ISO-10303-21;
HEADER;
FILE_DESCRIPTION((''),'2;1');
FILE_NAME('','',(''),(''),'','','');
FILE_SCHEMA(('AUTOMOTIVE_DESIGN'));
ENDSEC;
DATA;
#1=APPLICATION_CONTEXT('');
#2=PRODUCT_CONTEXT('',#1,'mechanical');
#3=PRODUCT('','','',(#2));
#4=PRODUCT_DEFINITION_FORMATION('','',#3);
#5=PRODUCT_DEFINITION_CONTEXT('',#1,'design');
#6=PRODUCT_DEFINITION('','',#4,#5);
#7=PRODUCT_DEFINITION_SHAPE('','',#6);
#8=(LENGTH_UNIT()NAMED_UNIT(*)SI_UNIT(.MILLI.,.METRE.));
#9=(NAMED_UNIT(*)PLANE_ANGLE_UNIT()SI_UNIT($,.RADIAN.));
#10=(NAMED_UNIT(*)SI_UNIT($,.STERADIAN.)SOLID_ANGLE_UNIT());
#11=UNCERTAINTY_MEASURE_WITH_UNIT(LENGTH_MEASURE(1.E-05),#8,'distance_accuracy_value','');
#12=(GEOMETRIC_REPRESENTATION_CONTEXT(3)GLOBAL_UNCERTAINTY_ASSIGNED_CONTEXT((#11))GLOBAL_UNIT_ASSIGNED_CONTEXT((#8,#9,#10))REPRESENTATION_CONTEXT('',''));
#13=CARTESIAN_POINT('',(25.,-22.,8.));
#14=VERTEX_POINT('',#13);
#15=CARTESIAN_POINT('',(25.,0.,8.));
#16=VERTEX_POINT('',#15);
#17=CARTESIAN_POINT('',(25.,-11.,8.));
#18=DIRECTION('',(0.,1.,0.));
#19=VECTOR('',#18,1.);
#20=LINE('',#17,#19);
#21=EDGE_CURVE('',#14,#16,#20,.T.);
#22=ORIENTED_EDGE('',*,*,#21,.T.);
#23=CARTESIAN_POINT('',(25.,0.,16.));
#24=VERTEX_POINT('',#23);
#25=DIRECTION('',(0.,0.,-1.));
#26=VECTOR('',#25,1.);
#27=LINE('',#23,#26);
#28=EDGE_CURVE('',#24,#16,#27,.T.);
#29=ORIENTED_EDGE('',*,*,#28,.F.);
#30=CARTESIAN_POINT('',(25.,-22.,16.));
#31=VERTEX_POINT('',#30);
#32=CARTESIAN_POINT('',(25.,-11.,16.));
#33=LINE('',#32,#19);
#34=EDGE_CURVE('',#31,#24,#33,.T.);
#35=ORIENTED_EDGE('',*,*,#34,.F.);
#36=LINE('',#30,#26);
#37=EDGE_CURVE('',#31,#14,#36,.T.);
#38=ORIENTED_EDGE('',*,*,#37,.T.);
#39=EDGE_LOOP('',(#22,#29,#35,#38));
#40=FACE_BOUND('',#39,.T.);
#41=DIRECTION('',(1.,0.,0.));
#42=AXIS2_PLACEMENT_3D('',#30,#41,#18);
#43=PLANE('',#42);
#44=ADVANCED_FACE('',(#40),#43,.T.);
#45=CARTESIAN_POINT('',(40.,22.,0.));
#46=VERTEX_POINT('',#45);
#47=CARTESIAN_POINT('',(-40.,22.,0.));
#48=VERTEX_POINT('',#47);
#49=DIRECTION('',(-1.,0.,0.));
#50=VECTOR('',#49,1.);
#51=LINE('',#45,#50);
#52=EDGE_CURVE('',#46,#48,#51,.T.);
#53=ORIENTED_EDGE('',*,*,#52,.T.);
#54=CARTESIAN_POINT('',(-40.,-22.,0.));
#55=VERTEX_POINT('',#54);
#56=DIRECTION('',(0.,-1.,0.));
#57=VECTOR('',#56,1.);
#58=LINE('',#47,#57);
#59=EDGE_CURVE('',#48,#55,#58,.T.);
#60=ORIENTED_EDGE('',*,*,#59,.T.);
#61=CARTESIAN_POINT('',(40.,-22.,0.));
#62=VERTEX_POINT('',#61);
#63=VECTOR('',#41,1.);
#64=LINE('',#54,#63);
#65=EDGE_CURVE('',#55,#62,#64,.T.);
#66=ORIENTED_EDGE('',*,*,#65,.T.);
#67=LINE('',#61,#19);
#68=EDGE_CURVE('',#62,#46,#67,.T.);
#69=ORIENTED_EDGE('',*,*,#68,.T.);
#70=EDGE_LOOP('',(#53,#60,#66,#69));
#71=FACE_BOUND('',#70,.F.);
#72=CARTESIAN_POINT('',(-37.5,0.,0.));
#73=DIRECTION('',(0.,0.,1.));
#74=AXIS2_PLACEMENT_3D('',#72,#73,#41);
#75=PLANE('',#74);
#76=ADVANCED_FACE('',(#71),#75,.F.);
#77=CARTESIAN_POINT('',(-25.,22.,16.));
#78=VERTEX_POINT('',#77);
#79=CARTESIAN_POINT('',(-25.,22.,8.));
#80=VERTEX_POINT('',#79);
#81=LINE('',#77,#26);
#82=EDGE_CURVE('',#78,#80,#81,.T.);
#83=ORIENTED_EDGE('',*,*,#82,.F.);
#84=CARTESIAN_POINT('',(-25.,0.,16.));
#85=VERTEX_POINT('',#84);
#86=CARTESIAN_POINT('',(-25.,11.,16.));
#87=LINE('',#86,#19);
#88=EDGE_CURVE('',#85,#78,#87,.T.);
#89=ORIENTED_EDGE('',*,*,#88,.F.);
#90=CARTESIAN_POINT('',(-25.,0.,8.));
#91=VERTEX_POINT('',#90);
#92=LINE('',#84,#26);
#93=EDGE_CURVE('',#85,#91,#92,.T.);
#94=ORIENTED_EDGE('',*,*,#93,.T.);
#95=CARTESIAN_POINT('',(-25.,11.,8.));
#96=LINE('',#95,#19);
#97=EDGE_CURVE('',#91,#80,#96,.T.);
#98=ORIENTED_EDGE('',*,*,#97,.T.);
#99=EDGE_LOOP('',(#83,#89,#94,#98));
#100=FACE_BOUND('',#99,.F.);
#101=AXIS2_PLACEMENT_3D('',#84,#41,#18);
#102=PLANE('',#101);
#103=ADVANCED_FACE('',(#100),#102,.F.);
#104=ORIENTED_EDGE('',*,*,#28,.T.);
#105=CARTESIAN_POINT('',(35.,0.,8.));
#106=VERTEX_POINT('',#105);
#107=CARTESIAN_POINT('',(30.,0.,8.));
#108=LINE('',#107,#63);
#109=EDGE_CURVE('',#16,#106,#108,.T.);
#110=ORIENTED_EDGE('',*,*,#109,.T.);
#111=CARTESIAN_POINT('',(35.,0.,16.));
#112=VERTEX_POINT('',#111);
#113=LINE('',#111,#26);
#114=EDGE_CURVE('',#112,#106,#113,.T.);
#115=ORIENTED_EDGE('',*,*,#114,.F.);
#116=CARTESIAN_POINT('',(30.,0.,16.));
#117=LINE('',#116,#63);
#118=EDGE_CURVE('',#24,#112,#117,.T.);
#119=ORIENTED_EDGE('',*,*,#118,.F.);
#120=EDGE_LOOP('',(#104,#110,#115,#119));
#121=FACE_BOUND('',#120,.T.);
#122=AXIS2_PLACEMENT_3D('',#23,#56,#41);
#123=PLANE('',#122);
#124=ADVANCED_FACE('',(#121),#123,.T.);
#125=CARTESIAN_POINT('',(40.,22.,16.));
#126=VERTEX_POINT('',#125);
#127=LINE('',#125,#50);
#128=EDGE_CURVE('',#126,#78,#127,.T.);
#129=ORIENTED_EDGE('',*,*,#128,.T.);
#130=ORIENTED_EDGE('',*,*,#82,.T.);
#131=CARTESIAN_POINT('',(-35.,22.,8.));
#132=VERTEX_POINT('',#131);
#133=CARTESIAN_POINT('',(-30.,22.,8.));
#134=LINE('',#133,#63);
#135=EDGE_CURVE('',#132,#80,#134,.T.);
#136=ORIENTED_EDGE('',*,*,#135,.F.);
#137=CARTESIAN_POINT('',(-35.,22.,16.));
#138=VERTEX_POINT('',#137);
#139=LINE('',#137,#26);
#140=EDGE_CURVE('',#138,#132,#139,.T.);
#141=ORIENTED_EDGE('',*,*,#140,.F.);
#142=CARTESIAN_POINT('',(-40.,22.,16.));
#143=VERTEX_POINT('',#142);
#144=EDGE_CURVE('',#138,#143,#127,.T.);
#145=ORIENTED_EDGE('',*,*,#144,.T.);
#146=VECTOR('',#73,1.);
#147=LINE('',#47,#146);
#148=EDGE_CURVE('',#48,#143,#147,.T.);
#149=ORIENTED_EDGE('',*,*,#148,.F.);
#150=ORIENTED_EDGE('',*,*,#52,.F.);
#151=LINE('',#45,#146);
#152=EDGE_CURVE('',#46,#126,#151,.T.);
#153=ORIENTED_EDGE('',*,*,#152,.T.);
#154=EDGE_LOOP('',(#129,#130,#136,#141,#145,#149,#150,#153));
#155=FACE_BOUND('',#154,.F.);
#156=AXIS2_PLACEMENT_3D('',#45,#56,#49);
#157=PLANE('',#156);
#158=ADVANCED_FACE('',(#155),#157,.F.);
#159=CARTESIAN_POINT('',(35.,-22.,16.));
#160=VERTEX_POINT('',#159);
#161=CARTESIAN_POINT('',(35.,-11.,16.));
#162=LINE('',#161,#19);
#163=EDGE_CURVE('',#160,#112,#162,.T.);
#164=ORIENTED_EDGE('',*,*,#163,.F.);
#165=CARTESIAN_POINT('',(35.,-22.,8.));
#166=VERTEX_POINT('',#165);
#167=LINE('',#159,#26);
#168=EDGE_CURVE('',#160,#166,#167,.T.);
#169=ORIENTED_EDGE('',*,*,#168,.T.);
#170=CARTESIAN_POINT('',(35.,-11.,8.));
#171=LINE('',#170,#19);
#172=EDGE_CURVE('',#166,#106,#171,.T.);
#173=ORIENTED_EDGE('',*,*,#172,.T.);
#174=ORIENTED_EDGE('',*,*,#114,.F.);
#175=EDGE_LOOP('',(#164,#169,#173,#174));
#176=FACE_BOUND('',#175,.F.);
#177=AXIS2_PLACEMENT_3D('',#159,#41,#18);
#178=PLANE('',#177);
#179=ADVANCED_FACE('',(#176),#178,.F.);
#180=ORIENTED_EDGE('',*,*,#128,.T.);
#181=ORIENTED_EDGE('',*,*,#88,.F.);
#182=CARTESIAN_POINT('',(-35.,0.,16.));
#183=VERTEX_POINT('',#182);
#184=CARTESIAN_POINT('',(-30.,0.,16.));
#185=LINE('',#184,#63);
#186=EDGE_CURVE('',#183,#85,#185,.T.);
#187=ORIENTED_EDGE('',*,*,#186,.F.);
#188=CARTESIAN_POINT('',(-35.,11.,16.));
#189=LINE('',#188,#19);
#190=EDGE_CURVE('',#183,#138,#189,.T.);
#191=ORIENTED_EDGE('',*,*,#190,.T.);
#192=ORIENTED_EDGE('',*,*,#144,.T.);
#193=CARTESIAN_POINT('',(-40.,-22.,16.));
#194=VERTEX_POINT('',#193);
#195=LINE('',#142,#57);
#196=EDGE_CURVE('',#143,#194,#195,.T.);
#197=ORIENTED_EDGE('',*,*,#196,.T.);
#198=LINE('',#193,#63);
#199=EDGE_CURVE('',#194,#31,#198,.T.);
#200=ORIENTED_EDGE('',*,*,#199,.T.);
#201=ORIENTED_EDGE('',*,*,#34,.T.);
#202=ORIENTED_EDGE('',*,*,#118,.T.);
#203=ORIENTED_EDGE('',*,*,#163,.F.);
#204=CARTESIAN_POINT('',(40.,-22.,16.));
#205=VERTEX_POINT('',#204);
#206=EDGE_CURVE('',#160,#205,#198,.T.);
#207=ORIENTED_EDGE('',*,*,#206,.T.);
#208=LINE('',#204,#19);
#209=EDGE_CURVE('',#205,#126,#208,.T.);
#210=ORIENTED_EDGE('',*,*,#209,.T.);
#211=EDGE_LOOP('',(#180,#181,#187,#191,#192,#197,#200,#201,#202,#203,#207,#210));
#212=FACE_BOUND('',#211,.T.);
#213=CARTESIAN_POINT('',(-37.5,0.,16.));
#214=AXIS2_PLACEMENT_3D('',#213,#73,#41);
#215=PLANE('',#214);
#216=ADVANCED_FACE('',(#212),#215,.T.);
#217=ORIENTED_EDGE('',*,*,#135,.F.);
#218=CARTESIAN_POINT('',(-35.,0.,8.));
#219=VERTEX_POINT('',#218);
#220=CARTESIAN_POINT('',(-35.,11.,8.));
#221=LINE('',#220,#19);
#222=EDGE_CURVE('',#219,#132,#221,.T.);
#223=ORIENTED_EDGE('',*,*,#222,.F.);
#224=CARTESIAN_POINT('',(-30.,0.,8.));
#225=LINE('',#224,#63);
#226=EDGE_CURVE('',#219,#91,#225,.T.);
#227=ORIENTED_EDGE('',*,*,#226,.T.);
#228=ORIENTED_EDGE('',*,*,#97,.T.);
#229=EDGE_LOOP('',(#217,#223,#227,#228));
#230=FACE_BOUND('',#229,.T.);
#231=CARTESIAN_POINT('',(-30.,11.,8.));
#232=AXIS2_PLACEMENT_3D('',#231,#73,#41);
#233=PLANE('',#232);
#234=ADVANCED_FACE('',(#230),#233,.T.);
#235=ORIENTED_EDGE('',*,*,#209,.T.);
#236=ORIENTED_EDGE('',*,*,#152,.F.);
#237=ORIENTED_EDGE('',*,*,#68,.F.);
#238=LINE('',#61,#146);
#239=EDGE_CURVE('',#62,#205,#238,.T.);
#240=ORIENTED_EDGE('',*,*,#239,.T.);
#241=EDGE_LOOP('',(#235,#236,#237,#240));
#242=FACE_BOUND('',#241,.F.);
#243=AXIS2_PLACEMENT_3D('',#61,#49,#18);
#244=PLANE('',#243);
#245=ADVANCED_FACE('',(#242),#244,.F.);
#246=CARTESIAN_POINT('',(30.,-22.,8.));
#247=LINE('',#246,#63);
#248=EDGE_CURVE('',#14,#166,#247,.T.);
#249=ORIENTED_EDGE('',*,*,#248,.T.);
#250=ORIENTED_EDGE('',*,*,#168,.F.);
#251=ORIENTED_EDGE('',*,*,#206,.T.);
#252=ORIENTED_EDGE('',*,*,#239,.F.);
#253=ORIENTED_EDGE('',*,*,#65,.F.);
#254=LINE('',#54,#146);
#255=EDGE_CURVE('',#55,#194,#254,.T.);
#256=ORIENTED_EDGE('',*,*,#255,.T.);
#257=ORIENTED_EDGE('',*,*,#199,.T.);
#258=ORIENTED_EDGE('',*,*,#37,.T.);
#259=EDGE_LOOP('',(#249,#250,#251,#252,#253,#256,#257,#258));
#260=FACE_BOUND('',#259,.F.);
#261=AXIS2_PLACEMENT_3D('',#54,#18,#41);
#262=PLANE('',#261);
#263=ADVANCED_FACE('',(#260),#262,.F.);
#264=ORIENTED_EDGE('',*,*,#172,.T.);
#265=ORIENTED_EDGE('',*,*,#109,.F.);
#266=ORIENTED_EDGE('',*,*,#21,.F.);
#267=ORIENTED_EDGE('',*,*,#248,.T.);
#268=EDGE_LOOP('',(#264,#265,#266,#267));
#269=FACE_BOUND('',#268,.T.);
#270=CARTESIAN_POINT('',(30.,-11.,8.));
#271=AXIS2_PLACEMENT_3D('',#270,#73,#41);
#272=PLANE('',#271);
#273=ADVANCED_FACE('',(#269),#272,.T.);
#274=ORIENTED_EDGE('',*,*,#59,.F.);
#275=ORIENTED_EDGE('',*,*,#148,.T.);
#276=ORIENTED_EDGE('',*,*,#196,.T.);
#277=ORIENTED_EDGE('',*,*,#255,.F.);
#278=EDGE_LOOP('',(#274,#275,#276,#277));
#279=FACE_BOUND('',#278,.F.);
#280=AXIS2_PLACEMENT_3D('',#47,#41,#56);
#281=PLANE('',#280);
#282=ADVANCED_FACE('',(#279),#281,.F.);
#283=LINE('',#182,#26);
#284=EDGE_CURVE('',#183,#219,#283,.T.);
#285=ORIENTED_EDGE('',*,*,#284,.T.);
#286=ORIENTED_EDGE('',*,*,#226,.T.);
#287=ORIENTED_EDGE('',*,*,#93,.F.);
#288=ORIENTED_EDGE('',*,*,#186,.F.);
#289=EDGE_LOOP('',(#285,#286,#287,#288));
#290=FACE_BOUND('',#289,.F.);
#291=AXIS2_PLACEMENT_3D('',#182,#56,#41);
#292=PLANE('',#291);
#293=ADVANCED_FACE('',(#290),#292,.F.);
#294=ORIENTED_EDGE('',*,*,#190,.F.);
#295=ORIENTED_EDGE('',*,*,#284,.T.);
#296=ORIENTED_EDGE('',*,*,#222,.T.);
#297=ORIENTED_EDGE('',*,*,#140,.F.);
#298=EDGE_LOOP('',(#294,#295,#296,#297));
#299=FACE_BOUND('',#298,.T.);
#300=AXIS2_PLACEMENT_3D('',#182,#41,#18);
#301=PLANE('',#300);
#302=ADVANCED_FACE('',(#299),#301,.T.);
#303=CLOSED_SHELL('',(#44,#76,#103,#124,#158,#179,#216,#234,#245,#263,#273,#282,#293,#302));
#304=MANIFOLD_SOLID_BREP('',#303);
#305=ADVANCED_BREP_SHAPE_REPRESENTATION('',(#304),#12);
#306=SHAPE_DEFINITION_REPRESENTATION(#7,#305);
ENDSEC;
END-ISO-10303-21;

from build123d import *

# Parameters (mm, degrees)
F0_W     = 10
F0_H     = 22
F1_DEPTH = 16
F2_W     = 10
F2_H     = 22
F3_DEPTH = 8


with BuildPart() as f1:
    # F0 (on Top) → F1 (new body)
    with BuildSketch(Plane.XY):
        Polygon((-35, 0), (-35, 22), (-40, 22), (-40, -22), (-35, -22), align=None)
        with Locations((-30, 11)):
            Rectangle(F0_W, F0_H)
        with Locations((-30, -11)):
            Rectangle(F0_W, F0_H)
        Polygon((25, 0), (25, 22), (-25, 22), (-25, 0), (-25, -22), (25, -22), align=None)
        with Locations((30, 11)):
            Rectangle(F0_W, F0_H)
        with Locations((30, -11)):
            Rectangle(F0_W, F0_H)
        Polygon((40, -22), (40, 22), (35, 22), (35, 0), (35, -22), align=None)
    extrude(amount=F1_DEPTH)

    # F2 (on face) → F3 (cut)
    with BuildSketch(Plane.XY.offset(16)):
        with Locations((-30, 11)):
            Rectangle(F2_W, F2_H)
        with Locations((30, -11)):
            Rectangle(F2_W, F2_H)
    extrude(amount=-F3_DEPTH, mode=Mode.SUBTRACT)


solid = f1.part
